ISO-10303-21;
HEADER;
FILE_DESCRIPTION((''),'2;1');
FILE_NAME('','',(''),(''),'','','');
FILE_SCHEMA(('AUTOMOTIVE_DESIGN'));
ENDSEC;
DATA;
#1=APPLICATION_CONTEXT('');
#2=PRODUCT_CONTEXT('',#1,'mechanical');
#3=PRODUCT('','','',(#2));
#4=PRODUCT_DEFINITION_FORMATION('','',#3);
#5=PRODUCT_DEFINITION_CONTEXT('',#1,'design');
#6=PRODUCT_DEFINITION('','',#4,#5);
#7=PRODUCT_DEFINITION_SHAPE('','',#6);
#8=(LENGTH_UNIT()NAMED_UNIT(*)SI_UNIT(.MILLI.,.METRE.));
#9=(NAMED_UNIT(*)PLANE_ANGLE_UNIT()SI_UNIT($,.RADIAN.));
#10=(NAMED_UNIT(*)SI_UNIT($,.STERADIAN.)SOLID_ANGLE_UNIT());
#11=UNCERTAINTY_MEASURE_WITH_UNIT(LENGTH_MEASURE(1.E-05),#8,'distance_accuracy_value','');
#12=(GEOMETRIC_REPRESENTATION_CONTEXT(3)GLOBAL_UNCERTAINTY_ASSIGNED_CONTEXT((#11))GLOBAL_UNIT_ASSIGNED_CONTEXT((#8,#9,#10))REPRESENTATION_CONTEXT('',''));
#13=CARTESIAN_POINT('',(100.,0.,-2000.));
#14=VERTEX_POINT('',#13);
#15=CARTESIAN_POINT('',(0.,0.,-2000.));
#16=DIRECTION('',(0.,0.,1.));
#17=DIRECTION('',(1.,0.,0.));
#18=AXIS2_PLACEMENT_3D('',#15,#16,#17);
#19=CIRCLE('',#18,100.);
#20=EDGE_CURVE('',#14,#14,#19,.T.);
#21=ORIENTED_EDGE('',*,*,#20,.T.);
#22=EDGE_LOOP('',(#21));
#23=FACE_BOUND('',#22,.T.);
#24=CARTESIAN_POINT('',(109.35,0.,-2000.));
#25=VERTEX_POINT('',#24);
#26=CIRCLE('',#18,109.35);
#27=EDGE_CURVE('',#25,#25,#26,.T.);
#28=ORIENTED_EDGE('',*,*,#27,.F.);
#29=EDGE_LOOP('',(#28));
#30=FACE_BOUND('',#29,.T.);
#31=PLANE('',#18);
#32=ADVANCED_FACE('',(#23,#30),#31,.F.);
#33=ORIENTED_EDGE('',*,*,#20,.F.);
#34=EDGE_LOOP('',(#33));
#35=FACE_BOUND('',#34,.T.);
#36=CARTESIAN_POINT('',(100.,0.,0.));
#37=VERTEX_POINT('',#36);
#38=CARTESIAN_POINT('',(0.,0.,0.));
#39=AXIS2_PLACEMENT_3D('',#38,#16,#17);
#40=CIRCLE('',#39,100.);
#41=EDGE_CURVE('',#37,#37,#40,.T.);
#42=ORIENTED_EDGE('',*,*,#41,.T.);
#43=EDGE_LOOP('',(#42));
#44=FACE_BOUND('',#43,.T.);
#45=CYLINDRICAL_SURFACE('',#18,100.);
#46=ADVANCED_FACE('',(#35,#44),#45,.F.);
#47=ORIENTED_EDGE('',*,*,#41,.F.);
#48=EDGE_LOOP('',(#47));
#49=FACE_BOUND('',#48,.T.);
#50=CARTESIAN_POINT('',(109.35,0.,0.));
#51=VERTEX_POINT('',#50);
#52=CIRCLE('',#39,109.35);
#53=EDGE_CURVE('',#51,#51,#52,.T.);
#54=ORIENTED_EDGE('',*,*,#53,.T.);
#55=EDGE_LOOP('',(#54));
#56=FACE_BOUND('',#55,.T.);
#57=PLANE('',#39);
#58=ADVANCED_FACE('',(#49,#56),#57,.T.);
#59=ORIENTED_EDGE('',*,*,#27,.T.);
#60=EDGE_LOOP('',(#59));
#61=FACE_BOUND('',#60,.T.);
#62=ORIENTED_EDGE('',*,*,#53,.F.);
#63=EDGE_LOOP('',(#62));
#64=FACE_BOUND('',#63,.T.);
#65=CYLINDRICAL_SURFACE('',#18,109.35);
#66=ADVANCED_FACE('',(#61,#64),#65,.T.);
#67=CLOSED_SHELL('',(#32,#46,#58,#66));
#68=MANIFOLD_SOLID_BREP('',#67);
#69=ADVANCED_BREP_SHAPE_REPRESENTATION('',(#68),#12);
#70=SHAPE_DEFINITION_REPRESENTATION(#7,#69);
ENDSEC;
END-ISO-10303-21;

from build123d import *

# Parameters (mm, degrees)
CROQUIS1_R              = 109.35
CROQUIS1_R_2            = 100
SALIENTE_EXTRUIR1_DEPTH = 2000


with BuildPart() as part:
    # Croquis1 → Saliente-Extruir1 (new body)
    with BuildSketch(Plane.XY):
        Circle(CROQUIS1_R)
        Circle(CROQUIS1_R_2, mode=Mode.SUBTRACT)
    extrude(amount=-SALIENTE_EXTRUIR1_DEPTH)


solid = part.part
